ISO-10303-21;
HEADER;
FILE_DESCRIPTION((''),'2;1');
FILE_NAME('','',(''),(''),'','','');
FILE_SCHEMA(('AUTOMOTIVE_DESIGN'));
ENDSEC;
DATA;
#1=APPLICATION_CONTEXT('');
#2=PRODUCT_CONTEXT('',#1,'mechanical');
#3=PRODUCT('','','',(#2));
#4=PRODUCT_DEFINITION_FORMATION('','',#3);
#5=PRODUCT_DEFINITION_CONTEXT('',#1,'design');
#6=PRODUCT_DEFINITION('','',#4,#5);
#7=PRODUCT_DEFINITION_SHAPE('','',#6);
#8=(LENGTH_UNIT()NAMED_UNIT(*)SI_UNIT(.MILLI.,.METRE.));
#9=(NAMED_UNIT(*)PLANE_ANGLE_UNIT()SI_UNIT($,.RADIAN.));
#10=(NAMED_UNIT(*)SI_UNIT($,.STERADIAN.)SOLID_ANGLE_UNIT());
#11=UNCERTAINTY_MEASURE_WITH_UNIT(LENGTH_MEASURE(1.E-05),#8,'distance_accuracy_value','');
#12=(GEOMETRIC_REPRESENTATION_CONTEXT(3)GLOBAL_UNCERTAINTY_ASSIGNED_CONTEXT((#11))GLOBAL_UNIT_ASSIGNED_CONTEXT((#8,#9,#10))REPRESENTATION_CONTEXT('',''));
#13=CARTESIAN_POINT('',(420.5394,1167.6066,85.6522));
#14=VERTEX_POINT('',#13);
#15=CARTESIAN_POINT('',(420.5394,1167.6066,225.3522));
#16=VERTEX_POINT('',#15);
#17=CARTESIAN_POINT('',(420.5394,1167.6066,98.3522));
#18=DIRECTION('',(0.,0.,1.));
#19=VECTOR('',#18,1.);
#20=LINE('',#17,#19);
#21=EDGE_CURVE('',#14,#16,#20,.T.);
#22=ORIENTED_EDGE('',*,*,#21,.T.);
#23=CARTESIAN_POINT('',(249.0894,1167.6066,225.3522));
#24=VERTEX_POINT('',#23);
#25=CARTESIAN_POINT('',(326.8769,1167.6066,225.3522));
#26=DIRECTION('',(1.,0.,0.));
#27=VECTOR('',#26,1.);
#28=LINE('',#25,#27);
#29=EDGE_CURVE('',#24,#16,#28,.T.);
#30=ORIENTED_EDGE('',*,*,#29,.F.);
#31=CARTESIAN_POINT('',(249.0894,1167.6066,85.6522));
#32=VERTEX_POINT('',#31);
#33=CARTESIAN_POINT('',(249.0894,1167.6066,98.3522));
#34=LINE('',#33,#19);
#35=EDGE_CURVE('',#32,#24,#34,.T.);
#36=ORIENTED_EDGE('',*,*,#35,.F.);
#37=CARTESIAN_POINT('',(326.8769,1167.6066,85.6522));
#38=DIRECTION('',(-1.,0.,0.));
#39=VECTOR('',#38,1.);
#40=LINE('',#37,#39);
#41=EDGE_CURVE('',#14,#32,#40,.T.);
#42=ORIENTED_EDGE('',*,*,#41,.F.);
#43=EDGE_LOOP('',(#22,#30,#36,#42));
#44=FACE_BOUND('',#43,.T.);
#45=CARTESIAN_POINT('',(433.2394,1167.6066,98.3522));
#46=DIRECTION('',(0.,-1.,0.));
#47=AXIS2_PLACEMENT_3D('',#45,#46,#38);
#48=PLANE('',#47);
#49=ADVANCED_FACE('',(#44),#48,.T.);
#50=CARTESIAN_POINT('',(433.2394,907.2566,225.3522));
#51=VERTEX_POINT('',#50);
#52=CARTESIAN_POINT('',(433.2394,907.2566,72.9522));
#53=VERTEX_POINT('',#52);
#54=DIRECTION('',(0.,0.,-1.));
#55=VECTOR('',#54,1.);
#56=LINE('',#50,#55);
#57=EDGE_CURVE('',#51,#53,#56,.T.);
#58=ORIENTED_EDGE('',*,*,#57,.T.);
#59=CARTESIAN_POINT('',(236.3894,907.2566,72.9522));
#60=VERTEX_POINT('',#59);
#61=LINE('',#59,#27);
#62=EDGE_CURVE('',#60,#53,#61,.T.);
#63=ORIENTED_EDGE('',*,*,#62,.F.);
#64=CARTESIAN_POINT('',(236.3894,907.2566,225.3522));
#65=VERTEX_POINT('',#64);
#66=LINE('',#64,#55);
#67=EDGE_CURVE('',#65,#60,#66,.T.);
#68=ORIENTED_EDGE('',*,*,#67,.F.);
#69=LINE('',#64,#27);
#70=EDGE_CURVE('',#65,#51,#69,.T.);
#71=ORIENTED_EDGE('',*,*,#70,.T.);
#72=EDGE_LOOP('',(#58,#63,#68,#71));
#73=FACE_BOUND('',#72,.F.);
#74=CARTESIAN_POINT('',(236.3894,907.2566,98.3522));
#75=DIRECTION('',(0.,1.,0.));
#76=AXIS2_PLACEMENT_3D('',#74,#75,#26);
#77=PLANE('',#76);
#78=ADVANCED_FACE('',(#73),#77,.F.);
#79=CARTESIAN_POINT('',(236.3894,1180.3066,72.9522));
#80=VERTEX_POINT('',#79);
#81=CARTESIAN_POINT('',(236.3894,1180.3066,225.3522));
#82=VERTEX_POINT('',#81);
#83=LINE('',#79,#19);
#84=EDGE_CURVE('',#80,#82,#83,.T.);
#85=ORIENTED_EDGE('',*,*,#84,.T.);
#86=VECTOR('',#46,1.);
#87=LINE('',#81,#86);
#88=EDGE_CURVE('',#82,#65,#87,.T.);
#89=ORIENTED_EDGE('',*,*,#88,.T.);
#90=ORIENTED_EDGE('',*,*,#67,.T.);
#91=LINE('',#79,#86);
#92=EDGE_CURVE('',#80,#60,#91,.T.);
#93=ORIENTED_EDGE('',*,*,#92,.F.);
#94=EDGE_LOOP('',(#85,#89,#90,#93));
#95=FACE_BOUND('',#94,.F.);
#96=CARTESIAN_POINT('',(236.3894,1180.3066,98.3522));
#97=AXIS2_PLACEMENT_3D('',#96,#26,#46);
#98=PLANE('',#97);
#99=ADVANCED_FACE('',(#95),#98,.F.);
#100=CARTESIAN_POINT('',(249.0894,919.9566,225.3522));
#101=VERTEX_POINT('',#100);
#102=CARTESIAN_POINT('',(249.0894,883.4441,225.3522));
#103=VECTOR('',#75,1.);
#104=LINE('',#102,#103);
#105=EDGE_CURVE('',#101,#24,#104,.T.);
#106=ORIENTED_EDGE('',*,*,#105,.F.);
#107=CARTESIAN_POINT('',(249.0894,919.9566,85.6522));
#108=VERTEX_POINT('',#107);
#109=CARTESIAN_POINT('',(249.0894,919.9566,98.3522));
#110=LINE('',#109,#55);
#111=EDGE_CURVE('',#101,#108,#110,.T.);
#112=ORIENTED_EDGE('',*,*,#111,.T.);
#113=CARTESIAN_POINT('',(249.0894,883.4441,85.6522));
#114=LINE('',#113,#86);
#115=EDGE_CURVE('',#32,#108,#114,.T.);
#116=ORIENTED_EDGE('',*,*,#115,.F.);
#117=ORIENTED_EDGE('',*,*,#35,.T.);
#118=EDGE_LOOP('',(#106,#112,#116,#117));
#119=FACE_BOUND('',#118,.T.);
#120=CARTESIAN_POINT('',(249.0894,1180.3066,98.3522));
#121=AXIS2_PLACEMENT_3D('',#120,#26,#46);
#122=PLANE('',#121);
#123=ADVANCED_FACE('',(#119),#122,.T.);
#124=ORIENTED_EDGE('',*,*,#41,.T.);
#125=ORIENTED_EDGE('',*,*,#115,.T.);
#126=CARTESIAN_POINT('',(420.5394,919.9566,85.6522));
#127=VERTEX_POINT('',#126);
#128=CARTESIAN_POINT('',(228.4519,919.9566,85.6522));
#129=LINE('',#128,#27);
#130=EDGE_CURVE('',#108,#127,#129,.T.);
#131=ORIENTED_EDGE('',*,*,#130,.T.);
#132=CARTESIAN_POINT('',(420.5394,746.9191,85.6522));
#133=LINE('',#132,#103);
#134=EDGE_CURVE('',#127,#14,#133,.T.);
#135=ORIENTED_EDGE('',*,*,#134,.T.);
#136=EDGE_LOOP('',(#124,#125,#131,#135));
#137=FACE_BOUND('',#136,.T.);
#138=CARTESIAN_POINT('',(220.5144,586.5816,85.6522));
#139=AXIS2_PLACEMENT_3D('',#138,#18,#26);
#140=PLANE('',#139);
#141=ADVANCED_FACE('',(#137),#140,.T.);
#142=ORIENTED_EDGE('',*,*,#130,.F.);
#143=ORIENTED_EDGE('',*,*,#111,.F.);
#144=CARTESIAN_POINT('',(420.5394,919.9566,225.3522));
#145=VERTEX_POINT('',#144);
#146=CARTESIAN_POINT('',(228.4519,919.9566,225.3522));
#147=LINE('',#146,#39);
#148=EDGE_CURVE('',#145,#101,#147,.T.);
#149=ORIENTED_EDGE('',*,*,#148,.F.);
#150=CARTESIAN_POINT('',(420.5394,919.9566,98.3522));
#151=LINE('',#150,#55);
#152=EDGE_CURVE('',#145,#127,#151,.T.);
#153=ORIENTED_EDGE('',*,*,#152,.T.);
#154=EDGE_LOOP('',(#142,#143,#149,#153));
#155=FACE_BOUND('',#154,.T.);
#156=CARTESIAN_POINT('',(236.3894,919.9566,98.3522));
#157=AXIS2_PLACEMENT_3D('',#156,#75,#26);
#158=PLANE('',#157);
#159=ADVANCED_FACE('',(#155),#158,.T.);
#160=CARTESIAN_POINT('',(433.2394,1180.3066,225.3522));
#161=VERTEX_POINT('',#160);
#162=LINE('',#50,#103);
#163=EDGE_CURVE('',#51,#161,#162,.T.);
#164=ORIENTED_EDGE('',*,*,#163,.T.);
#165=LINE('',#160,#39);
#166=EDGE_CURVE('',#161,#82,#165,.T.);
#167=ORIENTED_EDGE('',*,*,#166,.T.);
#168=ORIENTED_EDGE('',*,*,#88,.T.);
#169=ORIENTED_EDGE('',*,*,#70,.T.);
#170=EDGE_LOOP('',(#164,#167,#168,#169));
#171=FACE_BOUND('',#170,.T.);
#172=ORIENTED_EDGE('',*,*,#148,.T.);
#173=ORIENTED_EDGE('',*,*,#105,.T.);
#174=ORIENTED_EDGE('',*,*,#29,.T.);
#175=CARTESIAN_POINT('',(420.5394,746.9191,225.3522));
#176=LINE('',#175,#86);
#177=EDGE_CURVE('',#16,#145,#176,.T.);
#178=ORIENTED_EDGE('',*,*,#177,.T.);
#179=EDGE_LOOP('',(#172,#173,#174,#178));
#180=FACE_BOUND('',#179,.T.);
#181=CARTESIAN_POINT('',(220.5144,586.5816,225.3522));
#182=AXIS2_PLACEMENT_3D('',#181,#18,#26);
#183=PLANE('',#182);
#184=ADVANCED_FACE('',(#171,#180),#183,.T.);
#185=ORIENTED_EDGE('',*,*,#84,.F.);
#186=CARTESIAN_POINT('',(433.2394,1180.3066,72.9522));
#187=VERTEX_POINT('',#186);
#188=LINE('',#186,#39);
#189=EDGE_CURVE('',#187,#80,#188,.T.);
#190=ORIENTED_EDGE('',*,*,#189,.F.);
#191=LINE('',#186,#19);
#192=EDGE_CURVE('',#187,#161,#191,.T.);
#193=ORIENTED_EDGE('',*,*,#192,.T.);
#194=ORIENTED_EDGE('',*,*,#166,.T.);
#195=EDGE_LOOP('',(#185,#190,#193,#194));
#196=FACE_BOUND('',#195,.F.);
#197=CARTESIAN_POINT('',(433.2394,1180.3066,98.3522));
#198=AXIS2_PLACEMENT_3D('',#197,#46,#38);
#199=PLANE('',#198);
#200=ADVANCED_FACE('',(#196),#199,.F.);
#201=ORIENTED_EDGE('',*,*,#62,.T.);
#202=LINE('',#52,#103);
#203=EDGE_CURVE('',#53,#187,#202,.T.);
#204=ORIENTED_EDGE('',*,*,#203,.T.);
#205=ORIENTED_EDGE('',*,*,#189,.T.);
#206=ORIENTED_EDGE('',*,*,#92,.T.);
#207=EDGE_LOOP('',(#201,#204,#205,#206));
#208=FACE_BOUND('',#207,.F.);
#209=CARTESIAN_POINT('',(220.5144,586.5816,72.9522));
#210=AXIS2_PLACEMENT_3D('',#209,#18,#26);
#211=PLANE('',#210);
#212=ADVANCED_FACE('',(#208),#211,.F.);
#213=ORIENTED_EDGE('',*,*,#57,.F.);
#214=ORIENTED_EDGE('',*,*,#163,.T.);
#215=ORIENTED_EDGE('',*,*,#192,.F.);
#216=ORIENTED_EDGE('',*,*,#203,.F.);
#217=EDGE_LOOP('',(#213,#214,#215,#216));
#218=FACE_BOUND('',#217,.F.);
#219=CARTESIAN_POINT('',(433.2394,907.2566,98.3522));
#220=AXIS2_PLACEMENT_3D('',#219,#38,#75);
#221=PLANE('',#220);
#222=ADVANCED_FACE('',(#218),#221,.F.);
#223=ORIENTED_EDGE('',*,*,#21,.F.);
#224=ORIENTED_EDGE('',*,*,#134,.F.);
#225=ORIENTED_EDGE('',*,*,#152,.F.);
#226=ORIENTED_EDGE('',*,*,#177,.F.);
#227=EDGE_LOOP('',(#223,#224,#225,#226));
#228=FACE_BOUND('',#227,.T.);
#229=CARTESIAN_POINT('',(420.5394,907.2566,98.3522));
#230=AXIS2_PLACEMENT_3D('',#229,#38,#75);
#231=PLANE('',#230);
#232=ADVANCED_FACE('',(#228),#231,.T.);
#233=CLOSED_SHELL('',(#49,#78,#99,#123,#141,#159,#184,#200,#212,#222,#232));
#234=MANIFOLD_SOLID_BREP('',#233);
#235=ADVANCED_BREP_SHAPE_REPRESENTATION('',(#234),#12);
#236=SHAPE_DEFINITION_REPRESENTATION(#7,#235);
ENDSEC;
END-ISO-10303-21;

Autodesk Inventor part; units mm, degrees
ref_plane "YZ Plane" through (0, 0, 0) normal (1, 0, 0) x (0, 1, 0)
ref_plane "XZ Plane" through (0, 0, 0) normal (0, 1, 0) x (-1, 0, 0)
ref_plane "Work Plane1" through (220.5144, 586.5816, 98.3522) normal (0, 0, 1) x (1, 0, 0)
sketch "Sketch1" plane through (220.5144, 586.5816, 98.3522) normal (0, 0, 1) x (1, 0, 0)
  line L0 (12.7, 622.3) -> (215.9, 622.3)
  line L1 (12.7, 317.5) -> (215.9, 317.5)
  line L2 (241.3, 317.5) -> (241.3, 596.9)
  line L3 (-12.7, 596.9) -> (-12.7, 317.5)
  line L4 (215.9, 596.9) -> (12.7, 596.9)
  line L5 (215.9, 596.9) -> (215.9, 317.5)
  line L6 (12.7, 317.5) -> (12.7, 596.9)
  line L7 (212.725, 593.725) -> (15.875, 593.725)
  line L8 (15.875, 593.725) -> (15.875, 320.675)
  line L9 (15.875, 320.675) -> (212.725, 320.675)
  line L10 (212.725, 320.675) -> (212.725, 593.725)
  point P0 (-220.5144, -586.5816)
extrude "Extrusion1" add sketch "Sketch1" along normal blind 127 and the other way blind 25.4 contours L10 L9 L8 L7
shell "Shell1" thickness 12.7 removed faces 1 at (302.006, 1089.2899, 225.3522)
sketch "Sketch2" plane through (433.2394, 907.2566, 225.3522) normal (1, 0, 0) x (0, 0, -1)
  line L0 (3.6537, 3.0906) -> (3.6537, 49.4858) construction
  line L1 (3.6537, 49.4858) -> (36.2785, 49.4858) construction
  line L2 (36.2785, 49.4858) -> (36.2785, 3.0906) construction
  line L3 (36.2785, 3.0906) -> (3.6537, 3.0906) construction
  line L4 (64.1536, 108.921) -> (64.1536, 155.3161) construction
  line L5 (64.1536, 155.3161) -> (96.7784, 155.3161) construction
  line L6 (96.7784, 155.3161) -> (96.7784, 108.921) construction
  line L7 (96.7784, 108.921) -> (64.1536, 108.921) construction
  point P0 (225.3522, -907.2566)
properties part number "Rail car blue"
